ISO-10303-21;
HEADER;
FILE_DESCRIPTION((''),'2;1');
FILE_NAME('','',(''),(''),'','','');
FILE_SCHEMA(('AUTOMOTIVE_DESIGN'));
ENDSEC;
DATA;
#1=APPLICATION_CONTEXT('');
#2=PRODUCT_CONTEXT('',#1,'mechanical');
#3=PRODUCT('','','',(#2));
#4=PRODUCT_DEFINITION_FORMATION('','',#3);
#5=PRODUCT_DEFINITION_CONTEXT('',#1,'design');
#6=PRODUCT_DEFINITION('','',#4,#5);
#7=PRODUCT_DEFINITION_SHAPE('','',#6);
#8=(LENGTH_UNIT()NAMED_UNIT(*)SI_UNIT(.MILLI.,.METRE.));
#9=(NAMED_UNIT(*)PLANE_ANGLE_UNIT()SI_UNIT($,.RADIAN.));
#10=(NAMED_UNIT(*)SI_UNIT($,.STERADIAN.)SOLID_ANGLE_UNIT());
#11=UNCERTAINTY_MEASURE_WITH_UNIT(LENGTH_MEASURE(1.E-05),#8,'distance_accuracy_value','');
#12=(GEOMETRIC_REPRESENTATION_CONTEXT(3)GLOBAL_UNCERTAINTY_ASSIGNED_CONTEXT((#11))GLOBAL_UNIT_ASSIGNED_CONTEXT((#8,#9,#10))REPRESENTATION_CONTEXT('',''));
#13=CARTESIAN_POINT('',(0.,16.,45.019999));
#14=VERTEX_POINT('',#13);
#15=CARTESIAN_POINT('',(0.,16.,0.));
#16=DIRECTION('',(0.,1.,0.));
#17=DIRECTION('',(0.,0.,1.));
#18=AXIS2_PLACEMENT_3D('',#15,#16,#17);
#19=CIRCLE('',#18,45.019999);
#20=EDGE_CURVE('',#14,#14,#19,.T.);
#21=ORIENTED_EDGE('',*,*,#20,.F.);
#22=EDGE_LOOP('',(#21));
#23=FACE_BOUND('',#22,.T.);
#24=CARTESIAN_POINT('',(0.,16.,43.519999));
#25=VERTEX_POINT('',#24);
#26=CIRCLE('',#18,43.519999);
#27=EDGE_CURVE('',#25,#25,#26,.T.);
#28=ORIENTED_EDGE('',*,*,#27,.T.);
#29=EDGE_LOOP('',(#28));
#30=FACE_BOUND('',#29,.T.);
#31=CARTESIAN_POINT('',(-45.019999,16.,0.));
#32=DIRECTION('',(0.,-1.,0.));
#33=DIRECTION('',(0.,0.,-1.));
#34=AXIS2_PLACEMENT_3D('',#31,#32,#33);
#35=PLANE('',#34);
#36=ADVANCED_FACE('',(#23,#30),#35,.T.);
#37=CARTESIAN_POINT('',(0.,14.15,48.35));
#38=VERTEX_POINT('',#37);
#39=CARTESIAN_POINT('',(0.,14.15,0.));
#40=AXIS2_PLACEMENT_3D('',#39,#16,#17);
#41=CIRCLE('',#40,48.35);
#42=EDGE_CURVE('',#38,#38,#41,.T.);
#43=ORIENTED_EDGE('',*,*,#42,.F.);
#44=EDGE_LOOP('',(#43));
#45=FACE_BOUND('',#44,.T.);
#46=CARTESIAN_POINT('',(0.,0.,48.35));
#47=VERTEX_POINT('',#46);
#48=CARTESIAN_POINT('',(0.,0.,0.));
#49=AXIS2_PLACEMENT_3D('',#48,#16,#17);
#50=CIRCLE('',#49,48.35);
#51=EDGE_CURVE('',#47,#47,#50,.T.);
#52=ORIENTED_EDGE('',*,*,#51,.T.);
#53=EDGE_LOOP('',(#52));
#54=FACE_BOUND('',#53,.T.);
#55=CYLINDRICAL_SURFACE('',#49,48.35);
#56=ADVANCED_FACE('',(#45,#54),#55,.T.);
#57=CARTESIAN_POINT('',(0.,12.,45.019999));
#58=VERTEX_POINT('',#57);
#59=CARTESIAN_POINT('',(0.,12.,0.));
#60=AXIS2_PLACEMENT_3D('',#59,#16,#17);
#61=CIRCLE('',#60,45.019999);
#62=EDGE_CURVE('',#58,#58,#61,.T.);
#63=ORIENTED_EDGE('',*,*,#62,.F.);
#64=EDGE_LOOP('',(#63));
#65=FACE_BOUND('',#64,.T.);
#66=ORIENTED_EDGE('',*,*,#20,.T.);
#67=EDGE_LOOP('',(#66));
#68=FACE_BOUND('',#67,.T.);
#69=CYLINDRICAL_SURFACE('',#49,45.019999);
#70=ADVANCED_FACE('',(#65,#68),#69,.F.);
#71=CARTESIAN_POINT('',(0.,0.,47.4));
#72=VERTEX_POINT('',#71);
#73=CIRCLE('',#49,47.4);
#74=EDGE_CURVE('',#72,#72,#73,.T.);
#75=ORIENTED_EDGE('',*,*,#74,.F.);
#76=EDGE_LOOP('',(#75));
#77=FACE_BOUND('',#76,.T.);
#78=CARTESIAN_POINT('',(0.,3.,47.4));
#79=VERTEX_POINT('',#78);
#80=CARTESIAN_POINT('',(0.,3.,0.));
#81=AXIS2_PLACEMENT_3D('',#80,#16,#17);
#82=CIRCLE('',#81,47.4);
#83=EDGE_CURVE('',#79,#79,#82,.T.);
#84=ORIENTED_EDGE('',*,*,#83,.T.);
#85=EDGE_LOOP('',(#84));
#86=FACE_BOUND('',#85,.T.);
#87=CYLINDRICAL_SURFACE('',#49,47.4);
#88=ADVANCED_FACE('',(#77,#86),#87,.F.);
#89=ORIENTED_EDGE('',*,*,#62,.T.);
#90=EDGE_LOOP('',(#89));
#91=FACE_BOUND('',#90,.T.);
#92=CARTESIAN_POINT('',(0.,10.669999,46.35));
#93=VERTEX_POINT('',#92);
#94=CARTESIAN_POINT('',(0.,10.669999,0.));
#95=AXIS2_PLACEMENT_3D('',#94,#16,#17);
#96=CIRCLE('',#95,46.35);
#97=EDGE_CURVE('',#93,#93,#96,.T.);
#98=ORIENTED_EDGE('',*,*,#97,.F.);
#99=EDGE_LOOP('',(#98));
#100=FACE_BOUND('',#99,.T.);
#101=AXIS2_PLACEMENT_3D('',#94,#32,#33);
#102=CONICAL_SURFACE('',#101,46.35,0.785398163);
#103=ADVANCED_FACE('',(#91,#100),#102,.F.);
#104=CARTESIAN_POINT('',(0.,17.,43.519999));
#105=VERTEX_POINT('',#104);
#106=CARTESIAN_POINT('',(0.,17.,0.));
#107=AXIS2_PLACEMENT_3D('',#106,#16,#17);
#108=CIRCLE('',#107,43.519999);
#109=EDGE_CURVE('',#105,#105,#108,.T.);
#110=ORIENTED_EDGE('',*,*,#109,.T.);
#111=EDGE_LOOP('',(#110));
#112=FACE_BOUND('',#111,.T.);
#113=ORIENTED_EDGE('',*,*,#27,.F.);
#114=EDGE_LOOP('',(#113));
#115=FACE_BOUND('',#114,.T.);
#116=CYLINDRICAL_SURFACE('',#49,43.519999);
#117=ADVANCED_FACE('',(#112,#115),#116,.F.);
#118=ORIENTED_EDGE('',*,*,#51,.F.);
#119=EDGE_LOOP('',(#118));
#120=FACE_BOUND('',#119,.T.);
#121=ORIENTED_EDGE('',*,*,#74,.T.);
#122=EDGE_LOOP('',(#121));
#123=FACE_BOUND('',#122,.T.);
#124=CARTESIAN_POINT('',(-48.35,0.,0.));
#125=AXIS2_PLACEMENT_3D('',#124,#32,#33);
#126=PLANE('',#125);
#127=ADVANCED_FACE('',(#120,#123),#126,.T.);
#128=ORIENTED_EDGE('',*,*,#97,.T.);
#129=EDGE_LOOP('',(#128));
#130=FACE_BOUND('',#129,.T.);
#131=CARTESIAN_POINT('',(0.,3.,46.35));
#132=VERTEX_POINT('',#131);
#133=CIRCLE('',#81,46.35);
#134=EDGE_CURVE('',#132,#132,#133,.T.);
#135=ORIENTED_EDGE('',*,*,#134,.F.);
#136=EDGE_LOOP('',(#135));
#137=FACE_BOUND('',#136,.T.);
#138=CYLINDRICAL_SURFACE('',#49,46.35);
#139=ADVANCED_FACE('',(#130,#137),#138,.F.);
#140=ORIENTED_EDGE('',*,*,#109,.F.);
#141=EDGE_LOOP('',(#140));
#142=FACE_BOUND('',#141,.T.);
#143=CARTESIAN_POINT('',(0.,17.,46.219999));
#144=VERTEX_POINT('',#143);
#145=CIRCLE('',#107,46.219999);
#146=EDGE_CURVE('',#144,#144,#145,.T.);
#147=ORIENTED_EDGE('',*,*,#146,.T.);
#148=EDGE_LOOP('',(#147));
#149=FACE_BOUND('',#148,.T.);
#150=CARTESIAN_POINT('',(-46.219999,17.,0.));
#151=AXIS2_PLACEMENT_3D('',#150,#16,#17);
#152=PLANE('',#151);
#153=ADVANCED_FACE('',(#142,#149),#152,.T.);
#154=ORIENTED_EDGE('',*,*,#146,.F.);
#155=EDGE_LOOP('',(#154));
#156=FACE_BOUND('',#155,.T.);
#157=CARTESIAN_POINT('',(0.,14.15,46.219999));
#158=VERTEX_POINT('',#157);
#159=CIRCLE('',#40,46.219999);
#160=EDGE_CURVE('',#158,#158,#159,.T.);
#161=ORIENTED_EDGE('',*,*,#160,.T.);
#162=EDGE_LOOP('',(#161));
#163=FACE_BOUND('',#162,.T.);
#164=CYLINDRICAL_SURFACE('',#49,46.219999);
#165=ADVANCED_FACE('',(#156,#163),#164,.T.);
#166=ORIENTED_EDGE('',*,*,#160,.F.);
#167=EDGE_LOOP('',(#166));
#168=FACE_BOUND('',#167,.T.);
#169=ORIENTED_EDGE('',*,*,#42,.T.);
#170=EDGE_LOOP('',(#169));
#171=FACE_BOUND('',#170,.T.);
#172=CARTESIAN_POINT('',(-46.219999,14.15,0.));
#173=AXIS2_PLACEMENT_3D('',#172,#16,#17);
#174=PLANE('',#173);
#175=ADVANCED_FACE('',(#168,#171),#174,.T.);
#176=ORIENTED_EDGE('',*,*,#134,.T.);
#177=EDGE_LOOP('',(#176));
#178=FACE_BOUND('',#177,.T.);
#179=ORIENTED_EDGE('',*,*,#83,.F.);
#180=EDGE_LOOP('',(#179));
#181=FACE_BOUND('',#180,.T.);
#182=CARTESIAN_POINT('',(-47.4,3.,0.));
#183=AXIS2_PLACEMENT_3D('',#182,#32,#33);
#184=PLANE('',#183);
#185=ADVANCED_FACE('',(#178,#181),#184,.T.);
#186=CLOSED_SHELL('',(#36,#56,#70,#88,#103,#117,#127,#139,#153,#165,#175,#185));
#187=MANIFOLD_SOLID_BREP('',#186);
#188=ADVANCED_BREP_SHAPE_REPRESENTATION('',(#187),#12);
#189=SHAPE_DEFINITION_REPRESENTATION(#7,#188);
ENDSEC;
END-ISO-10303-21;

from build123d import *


with BuildPart() as part:
    # Sketch1 → Revolve1 (revolve)
    with BuildSketch(Plane.XY):
        Polygon((-48.35, 0), (-48.35, 14.15), (-46.219999369, 14.15), (-46.219999369, 17), (-43.519999369, 17), (-43.519999369, 16), (-45.019999369, 16), (-45.019999369, 12), (-46.35, 10.669999369), (-46.35, 3), (-47.4, 3), (-47.4, 0), align=None)
    revolve(axis=Axis((0, 0, 0), (0, -1, 0)))


solid = part.part
